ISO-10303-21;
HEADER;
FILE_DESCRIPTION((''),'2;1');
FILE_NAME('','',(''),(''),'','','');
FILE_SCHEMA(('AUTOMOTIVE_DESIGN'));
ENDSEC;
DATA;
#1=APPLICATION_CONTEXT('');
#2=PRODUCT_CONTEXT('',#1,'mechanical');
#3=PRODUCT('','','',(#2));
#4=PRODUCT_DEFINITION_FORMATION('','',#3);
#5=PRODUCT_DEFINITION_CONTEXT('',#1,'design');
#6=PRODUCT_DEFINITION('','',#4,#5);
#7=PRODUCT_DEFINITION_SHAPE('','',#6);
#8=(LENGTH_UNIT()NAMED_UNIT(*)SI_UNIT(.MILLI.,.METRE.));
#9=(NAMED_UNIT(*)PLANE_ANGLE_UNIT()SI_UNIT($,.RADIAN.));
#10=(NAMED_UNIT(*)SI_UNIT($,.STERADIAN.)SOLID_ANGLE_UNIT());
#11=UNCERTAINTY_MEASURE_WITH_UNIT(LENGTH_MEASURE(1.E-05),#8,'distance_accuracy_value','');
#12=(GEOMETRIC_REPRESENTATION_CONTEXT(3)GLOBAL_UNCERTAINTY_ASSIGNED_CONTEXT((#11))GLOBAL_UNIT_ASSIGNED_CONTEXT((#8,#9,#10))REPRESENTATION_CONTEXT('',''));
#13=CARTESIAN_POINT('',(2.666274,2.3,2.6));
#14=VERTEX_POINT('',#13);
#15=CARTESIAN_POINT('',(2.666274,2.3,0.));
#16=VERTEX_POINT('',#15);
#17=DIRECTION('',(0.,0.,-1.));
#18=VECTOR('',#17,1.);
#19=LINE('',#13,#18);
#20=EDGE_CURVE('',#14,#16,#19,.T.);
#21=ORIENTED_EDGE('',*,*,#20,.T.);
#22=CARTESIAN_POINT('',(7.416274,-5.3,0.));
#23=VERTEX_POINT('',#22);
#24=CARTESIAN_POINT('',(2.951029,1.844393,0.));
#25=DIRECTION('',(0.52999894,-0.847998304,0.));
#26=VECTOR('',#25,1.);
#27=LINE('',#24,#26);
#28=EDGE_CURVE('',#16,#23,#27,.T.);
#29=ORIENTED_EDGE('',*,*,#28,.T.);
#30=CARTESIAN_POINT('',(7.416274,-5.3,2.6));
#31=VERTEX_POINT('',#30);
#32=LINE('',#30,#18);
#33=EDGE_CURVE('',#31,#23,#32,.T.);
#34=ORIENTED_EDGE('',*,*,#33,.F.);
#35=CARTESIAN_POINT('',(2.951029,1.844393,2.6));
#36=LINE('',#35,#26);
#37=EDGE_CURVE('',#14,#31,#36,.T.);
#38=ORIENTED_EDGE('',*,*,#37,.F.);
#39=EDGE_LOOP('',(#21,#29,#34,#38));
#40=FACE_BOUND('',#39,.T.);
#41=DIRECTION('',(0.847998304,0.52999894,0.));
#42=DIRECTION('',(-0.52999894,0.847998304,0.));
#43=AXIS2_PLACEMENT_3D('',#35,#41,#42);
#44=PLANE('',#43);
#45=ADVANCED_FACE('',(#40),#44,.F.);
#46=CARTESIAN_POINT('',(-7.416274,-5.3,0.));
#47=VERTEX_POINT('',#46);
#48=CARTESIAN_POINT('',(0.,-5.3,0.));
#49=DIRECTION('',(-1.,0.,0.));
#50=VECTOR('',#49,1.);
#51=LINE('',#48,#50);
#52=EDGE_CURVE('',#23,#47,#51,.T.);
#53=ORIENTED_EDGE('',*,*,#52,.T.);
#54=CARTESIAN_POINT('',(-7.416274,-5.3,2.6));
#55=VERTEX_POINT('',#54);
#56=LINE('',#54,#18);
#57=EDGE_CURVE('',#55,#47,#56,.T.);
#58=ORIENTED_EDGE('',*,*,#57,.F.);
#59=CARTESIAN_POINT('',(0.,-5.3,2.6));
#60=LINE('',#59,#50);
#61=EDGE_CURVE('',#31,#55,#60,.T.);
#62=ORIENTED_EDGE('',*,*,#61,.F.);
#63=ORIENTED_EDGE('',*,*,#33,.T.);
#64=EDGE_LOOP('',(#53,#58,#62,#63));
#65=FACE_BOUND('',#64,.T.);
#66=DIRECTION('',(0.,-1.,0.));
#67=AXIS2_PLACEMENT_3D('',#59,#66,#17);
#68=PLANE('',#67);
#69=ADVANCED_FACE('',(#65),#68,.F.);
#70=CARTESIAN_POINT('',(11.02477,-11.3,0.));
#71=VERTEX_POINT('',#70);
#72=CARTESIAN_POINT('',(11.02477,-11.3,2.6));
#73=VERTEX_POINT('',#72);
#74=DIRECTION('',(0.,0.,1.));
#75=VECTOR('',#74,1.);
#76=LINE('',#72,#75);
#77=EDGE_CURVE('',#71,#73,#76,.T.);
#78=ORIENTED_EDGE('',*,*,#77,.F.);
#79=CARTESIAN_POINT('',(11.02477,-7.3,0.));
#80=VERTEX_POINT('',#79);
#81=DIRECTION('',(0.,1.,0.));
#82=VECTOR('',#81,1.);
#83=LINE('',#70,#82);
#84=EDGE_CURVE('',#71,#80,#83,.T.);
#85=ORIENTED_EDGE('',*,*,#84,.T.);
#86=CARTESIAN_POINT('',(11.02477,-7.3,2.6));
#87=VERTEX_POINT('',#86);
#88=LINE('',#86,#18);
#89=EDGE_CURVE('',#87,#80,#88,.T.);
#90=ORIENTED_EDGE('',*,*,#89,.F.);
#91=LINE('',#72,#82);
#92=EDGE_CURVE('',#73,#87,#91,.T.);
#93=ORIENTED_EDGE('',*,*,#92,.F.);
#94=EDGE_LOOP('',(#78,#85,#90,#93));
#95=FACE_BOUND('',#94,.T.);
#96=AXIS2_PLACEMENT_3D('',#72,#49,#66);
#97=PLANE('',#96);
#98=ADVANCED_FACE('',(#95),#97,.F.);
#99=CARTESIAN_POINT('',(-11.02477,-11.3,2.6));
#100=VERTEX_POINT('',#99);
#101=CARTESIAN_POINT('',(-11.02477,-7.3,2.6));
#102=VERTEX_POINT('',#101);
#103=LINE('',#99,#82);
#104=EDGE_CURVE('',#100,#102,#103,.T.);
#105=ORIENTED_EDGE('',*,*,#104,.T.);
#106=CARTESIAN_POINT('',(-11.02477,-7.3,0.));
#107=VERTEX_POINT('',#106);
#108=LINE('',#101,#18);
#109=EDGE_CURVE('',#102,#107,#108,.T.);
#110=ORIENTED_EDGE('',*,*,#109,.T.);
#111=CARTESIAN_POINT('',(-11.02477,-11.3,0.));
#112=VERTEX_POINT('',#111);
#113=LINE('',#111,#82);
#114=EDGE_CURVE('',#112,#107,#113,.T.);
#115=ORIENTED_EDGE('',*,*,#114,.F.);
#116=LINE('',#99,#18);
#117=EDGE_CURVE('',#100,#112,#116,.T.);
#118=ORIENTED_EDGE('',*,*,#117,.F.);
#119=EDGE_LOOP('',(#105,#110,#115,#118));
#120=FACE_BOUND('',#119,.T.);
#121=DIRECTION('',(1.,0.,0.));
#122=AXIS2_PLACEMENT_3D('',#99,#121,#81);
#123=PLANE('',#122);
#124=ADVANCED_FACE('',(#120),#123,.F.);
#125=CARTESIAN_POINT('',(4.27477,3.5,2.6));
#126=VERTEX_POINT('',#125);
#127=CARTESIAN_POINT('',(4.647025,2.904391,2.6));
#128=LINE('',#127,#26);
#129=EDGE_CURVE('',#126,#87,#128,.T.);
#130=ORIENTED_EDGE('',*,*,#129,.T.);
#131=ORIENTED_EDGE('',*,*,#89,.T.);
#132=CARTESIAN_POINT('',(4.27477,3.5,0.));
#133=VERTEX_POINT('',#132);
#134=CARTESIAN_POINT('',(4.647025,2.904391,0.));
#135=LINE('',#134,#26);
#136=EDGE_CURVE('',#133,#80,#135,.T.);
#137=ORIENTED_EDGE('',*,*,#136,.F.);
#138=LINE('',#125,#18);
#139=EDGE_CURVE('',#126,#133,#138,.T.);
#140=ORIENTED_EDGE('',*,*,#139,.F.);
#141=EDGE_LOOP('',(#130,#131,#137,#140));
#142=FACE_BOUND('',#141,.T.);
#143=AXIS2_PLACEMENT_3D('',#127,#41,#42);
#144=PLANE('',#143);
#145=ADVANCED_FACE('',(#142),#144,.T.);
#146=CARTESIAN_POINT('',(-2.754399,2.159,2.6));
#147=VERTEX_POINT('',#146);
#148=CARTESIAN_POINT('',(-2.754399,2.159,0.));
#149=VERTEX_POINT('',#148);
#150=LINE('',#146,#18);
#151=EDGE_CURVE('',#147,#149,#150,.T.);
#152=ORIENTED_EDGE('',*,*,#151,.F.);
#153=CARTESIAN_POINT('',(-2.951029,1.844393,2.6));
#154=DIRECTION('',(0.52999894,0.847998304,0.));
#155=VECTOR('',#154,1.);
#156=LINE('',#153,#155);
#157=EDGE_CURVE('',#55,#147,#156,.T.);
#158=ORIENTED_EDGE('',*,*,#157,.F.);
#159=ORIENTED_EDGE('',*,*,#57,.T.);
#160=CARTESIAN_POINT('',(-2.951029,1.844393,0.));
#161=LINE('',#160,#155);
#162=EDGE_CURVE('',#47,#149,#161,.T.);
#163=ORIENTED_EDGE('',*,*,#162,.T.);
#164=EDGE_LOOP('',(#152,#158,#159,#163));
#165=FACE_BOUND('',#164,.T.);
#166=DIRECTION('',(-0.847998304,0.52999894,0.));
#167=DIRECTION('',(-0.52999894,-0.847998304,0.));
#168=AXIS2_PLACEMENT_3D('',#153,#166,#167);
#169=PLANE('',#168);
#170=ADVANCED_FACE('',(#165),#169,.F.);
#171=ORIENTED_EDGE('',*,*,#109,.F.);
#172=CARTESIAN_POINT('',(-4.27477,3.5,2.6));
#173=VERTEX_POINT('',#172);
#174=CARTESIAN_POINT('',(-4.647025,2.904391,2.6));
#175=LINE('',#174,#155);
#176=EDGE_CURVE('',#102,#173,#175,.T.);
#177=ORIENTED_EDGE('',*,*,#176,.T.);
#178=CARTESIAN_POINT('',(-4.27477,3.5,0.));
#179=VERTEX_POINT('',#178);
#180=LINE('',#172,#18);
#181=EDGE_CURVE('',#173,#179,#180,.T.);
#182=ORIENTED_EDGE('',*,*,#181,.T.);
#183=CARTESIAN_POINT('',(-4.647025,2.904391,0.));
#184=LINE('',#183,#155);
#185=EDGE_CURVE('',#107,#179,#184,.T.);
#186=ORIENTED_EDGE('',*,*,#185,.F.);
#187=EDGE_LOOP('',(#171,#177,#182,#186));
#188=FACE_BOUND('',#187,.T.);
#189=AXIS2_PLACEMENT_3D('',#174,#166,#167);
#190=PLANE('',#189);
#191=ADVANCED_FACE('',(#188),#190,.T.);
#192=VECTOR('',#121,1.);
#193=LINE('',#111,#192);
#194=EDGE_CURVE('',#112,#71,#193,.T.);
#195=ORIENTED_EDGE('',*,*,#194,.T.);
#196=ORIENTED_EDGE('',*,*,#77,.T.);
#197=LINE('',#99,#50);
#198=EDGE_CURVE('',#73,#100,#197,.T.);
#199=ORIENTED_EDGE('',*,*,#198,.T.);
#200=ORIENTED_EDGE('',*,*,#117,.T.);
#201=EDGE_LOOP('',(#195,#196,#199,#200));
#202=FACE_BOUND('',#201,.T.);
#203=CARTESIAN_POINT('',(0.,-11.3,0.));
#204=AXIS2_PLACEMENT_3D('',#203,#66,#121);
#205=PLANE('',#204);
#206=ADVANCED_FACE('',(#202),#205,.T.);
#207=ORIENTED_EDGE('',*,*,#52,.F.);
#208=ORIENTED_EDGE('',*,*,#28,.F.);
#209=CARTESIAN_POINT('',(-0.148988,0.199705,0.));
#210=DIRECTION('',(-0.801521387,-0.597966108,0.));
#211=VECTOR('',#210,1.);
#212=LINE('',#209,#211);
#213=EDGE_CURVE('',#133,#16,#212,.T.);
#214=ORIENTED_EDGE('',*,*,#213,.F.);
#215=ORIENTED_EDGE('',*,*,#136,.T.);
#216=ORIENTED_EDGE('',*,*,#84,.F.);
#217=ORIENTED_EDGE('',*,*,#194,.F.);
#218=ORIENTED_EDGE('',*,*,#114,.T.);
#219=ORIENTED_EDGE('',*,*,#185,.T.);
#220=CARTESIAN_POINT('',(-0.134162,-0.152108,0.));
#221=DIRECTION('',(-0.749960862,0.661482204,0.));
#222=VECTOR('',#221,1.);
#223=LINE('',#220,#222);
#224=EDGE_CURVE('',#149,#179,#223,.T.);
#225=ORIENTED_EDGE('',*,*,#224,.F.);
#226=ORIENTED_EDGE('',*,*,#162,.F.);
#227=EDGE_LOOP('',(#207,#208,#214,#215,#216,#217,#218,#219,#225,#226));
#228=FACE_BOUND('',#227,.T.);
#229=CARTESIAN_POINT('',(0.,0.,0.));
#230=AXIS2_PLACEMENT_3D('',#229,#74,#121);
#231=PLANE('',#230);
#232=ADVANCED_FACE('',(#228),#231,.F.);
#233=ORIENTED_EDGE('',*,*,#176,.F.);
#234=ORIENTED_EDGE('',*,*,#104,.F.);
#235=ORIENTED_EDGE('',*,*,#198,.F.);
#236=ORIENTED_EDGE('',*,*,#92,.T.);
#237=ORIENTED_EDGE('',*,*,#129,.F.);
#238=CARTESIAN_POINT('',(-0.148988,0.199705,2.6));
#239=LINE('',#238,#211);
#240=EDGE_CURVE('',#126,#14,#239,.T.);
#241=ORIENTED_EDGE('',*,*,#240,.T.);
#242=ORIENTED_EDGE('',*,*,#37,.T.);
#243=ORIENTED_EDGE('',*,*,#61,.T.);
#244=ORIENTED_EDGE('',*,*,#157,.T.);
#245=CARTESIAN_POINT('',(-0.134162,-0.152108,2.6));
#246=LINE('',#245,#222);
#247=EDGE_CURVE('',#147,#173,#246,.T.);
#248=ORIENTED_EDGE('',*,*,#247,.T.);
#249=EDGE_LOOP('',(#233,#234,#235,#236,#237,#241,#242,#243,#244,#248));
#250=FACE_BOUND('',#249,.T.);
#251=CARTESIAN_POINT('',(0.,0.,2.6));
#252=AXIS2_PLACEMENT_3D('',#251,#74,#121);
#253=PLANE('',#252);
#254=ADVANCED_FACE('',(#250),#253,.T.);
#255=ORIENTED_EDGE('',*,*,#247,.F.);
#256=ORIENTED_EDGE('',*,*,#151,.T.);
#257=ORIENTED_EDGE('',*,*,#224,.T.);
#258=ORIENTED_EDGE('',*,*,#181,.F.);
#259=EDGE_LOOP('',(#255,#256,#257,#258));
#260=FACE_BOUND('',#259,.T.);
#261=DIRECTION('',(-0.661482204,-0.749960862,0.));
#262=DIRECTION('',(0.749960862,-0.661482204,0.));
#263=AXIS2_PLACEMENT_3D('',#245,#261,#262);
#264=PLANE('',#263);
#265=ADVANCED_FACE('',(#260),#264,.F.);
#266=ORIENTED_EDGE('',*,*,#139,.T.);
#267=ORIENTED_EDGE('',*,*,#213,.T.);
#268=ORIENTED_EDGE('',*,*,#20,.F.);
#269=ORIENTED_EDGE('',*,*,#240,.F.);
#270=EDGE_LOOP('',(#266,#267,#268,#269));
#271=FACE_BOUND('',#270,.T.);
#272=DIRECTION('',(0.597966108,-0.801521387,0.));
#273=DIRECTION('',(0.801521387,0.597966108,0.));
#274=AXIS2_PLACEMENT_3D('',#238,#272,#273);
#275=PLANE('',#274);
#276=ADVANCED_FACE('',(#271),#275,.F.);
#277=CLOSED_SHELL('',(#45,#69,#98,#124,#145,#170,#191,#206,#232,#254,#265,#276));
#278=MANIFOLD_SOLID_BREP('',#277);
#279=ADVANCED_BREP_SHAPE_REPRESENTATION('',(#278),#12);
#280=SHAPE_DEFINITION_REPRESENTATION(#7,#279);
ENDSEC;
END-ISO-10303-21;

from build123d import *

# Parameters (mm, degrees)
BOSS_EXTRUDE1_DEPTH = 2.6
SKETCH2_W           = 22.04953915
SKETCH2_H           = 2.6
BOSS_EXTRUDE2_DEPTH = 4


with BuildPart() as part:
    # Sketch1 → Boss-Extrude1 (new body)
    with BuildSketch(Plane.XY):
        Polygon((4.274769575, 3.5), (2.666274292, 2.3), (5.254399491, -1.841000318), (7.416274292, -5.3), (-7.416274292, -5.3), (-5.254399491, -1.841000318), (-2.754399491, 2.158999682), (-4.274769575, 3.5), (-6.950396099, -0.781002438), (-11.024769575, -7.3), (11.024769575, -7.3), (6.950396099, -0.781002438), align=None)
    extrude(amount=BOSS_EXTRUDE1_DEPTH)

    # Sketch2 → Boss-Extrude2 (add)
    with BuildSketch(Plane.XZ.offset(7.3)):
        with Locations((0, 1.3)):
            Rectangle(SKETCH2_W, SKETCH2_H)
    extrude(amount=BOSS_EXTRUDE2_DEPTH)


solid = part.part
